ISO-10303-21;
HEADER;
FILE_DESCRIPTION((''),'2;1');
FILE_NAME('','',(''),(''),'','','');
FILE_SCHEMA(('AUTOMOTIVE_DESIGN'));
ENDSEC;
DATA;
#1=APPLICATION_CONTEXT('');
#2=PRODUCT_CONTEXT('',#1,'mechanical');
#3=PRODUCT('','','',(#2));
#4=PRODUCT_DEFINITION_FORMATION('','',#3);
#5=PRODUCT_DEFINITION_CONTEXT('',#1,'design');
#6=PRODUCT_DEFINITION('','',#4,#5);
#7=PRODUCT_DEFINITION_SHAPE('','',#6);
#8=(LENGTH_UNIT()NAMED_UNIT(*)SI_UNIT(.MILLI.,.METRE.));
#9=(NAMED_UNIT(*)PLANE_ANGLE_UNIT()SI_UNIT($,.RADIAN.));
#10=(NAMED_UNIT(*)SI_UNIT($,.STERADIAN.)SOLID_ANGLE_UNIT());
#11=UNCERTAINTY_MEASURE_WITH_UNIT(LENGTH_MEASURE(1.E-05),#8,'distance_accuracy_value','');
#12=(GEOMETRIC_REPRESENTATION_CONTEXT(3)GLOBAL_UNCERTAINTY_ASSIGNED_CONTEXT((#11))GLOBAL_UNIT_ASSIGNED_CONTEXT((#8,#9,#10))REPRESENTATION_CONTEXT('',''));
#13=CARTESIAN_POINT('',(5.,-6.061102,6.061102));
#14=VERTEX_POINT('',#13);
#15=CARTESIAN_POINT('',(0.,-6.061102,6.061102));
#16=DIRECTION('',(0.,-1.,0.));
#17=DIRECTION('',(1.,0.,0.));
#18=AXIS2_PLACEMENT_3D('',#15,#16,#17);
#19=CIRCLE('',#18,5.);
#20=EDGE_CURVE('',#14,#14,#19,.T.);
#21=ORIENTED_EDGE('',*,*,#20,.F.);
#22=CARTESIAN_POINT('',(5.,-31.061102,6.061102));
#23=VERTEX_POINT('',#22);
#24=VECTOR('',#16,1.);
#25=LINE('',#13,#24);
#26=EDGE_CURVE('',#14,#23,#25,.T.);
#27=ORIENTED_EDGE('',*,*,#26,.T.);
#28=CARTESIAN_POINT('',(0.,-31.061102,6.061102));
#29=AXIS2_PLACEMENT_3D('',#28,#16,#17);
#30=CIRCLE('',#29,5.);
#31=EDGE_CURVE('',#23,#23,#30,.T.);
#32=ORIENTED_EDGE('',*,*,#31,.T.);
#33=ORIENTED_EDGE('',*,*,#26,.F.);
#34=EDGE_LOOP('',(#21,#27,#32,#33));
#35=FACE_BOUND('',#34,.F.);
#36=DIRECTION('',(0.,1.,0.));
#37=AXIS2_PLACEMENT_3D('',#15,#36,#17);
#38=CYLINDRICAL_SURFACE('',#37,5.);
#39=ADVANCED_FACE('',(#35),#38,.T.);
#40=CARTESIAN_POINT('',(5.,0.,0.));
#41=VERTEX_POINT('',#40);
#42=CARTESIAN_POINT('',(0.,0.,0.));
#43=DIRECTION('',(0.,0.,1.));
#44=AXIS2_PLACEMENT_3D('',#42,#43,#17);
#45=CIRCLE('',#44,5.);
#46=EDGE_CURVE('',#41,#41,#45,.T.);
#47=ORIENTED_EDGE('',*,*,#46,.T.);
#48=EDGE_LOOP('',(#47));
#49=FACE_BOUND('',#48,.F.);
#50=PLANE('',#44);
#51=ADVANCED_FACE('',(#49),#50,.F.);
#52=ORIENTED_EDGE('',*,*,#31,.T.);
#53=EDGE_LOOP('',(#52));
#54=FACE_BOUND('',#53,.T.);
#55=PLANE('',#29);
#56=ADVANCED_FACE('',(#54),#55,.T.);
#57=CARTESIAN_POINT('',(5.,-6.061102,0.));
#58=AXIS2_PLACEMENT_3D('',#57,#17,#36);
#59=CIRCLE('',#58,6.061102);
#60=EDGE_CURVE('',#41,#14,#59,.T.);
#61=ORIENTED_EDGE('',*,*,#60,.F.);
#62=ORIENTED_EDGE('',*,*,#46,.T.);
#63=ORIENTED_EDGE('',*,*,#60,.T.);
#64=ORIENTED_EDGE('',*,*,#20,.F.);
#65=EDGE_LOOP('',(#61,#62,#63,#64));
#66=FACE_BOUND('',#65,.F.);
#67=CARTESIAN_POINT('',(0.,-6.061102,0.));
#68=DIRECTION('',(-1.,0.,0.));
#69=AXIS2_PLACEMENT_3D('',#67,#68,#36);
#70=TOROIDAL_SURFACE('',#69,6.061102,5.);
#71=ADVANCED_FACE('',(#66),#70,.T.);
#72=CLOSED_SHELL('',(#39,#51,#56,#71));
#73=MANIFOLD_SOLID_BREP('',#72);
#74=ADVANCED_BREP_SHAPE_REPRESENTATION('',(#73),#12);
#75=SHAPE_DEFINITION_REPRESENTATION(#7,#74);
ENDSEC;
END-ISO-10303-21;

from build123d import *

# Parameters (mm, degrees)
F0_R     = 5
F2_ANGLE = 90
F4_DEPTH = 25


with BuildPart() as f2:
    # F0 (on Top) → F2 (revolve)
    with BuildSketch(Plane.XY):
        Circle(F0_R)
    revolve(axis=Axis((-0.0764658804, -6.061101798, 0), (1, 0, 0)), revolution_arc=F2_ANGLE)

    # F4 (add): a face of the model
    f4_faces = [f2.faces().sort_by_distance(p)[0] for p in [
        (0, -6.061101798, 6.061101798),
    ]]
    extrude(f4_faces, amount=F4_DEPTH)


solid = f2.part
